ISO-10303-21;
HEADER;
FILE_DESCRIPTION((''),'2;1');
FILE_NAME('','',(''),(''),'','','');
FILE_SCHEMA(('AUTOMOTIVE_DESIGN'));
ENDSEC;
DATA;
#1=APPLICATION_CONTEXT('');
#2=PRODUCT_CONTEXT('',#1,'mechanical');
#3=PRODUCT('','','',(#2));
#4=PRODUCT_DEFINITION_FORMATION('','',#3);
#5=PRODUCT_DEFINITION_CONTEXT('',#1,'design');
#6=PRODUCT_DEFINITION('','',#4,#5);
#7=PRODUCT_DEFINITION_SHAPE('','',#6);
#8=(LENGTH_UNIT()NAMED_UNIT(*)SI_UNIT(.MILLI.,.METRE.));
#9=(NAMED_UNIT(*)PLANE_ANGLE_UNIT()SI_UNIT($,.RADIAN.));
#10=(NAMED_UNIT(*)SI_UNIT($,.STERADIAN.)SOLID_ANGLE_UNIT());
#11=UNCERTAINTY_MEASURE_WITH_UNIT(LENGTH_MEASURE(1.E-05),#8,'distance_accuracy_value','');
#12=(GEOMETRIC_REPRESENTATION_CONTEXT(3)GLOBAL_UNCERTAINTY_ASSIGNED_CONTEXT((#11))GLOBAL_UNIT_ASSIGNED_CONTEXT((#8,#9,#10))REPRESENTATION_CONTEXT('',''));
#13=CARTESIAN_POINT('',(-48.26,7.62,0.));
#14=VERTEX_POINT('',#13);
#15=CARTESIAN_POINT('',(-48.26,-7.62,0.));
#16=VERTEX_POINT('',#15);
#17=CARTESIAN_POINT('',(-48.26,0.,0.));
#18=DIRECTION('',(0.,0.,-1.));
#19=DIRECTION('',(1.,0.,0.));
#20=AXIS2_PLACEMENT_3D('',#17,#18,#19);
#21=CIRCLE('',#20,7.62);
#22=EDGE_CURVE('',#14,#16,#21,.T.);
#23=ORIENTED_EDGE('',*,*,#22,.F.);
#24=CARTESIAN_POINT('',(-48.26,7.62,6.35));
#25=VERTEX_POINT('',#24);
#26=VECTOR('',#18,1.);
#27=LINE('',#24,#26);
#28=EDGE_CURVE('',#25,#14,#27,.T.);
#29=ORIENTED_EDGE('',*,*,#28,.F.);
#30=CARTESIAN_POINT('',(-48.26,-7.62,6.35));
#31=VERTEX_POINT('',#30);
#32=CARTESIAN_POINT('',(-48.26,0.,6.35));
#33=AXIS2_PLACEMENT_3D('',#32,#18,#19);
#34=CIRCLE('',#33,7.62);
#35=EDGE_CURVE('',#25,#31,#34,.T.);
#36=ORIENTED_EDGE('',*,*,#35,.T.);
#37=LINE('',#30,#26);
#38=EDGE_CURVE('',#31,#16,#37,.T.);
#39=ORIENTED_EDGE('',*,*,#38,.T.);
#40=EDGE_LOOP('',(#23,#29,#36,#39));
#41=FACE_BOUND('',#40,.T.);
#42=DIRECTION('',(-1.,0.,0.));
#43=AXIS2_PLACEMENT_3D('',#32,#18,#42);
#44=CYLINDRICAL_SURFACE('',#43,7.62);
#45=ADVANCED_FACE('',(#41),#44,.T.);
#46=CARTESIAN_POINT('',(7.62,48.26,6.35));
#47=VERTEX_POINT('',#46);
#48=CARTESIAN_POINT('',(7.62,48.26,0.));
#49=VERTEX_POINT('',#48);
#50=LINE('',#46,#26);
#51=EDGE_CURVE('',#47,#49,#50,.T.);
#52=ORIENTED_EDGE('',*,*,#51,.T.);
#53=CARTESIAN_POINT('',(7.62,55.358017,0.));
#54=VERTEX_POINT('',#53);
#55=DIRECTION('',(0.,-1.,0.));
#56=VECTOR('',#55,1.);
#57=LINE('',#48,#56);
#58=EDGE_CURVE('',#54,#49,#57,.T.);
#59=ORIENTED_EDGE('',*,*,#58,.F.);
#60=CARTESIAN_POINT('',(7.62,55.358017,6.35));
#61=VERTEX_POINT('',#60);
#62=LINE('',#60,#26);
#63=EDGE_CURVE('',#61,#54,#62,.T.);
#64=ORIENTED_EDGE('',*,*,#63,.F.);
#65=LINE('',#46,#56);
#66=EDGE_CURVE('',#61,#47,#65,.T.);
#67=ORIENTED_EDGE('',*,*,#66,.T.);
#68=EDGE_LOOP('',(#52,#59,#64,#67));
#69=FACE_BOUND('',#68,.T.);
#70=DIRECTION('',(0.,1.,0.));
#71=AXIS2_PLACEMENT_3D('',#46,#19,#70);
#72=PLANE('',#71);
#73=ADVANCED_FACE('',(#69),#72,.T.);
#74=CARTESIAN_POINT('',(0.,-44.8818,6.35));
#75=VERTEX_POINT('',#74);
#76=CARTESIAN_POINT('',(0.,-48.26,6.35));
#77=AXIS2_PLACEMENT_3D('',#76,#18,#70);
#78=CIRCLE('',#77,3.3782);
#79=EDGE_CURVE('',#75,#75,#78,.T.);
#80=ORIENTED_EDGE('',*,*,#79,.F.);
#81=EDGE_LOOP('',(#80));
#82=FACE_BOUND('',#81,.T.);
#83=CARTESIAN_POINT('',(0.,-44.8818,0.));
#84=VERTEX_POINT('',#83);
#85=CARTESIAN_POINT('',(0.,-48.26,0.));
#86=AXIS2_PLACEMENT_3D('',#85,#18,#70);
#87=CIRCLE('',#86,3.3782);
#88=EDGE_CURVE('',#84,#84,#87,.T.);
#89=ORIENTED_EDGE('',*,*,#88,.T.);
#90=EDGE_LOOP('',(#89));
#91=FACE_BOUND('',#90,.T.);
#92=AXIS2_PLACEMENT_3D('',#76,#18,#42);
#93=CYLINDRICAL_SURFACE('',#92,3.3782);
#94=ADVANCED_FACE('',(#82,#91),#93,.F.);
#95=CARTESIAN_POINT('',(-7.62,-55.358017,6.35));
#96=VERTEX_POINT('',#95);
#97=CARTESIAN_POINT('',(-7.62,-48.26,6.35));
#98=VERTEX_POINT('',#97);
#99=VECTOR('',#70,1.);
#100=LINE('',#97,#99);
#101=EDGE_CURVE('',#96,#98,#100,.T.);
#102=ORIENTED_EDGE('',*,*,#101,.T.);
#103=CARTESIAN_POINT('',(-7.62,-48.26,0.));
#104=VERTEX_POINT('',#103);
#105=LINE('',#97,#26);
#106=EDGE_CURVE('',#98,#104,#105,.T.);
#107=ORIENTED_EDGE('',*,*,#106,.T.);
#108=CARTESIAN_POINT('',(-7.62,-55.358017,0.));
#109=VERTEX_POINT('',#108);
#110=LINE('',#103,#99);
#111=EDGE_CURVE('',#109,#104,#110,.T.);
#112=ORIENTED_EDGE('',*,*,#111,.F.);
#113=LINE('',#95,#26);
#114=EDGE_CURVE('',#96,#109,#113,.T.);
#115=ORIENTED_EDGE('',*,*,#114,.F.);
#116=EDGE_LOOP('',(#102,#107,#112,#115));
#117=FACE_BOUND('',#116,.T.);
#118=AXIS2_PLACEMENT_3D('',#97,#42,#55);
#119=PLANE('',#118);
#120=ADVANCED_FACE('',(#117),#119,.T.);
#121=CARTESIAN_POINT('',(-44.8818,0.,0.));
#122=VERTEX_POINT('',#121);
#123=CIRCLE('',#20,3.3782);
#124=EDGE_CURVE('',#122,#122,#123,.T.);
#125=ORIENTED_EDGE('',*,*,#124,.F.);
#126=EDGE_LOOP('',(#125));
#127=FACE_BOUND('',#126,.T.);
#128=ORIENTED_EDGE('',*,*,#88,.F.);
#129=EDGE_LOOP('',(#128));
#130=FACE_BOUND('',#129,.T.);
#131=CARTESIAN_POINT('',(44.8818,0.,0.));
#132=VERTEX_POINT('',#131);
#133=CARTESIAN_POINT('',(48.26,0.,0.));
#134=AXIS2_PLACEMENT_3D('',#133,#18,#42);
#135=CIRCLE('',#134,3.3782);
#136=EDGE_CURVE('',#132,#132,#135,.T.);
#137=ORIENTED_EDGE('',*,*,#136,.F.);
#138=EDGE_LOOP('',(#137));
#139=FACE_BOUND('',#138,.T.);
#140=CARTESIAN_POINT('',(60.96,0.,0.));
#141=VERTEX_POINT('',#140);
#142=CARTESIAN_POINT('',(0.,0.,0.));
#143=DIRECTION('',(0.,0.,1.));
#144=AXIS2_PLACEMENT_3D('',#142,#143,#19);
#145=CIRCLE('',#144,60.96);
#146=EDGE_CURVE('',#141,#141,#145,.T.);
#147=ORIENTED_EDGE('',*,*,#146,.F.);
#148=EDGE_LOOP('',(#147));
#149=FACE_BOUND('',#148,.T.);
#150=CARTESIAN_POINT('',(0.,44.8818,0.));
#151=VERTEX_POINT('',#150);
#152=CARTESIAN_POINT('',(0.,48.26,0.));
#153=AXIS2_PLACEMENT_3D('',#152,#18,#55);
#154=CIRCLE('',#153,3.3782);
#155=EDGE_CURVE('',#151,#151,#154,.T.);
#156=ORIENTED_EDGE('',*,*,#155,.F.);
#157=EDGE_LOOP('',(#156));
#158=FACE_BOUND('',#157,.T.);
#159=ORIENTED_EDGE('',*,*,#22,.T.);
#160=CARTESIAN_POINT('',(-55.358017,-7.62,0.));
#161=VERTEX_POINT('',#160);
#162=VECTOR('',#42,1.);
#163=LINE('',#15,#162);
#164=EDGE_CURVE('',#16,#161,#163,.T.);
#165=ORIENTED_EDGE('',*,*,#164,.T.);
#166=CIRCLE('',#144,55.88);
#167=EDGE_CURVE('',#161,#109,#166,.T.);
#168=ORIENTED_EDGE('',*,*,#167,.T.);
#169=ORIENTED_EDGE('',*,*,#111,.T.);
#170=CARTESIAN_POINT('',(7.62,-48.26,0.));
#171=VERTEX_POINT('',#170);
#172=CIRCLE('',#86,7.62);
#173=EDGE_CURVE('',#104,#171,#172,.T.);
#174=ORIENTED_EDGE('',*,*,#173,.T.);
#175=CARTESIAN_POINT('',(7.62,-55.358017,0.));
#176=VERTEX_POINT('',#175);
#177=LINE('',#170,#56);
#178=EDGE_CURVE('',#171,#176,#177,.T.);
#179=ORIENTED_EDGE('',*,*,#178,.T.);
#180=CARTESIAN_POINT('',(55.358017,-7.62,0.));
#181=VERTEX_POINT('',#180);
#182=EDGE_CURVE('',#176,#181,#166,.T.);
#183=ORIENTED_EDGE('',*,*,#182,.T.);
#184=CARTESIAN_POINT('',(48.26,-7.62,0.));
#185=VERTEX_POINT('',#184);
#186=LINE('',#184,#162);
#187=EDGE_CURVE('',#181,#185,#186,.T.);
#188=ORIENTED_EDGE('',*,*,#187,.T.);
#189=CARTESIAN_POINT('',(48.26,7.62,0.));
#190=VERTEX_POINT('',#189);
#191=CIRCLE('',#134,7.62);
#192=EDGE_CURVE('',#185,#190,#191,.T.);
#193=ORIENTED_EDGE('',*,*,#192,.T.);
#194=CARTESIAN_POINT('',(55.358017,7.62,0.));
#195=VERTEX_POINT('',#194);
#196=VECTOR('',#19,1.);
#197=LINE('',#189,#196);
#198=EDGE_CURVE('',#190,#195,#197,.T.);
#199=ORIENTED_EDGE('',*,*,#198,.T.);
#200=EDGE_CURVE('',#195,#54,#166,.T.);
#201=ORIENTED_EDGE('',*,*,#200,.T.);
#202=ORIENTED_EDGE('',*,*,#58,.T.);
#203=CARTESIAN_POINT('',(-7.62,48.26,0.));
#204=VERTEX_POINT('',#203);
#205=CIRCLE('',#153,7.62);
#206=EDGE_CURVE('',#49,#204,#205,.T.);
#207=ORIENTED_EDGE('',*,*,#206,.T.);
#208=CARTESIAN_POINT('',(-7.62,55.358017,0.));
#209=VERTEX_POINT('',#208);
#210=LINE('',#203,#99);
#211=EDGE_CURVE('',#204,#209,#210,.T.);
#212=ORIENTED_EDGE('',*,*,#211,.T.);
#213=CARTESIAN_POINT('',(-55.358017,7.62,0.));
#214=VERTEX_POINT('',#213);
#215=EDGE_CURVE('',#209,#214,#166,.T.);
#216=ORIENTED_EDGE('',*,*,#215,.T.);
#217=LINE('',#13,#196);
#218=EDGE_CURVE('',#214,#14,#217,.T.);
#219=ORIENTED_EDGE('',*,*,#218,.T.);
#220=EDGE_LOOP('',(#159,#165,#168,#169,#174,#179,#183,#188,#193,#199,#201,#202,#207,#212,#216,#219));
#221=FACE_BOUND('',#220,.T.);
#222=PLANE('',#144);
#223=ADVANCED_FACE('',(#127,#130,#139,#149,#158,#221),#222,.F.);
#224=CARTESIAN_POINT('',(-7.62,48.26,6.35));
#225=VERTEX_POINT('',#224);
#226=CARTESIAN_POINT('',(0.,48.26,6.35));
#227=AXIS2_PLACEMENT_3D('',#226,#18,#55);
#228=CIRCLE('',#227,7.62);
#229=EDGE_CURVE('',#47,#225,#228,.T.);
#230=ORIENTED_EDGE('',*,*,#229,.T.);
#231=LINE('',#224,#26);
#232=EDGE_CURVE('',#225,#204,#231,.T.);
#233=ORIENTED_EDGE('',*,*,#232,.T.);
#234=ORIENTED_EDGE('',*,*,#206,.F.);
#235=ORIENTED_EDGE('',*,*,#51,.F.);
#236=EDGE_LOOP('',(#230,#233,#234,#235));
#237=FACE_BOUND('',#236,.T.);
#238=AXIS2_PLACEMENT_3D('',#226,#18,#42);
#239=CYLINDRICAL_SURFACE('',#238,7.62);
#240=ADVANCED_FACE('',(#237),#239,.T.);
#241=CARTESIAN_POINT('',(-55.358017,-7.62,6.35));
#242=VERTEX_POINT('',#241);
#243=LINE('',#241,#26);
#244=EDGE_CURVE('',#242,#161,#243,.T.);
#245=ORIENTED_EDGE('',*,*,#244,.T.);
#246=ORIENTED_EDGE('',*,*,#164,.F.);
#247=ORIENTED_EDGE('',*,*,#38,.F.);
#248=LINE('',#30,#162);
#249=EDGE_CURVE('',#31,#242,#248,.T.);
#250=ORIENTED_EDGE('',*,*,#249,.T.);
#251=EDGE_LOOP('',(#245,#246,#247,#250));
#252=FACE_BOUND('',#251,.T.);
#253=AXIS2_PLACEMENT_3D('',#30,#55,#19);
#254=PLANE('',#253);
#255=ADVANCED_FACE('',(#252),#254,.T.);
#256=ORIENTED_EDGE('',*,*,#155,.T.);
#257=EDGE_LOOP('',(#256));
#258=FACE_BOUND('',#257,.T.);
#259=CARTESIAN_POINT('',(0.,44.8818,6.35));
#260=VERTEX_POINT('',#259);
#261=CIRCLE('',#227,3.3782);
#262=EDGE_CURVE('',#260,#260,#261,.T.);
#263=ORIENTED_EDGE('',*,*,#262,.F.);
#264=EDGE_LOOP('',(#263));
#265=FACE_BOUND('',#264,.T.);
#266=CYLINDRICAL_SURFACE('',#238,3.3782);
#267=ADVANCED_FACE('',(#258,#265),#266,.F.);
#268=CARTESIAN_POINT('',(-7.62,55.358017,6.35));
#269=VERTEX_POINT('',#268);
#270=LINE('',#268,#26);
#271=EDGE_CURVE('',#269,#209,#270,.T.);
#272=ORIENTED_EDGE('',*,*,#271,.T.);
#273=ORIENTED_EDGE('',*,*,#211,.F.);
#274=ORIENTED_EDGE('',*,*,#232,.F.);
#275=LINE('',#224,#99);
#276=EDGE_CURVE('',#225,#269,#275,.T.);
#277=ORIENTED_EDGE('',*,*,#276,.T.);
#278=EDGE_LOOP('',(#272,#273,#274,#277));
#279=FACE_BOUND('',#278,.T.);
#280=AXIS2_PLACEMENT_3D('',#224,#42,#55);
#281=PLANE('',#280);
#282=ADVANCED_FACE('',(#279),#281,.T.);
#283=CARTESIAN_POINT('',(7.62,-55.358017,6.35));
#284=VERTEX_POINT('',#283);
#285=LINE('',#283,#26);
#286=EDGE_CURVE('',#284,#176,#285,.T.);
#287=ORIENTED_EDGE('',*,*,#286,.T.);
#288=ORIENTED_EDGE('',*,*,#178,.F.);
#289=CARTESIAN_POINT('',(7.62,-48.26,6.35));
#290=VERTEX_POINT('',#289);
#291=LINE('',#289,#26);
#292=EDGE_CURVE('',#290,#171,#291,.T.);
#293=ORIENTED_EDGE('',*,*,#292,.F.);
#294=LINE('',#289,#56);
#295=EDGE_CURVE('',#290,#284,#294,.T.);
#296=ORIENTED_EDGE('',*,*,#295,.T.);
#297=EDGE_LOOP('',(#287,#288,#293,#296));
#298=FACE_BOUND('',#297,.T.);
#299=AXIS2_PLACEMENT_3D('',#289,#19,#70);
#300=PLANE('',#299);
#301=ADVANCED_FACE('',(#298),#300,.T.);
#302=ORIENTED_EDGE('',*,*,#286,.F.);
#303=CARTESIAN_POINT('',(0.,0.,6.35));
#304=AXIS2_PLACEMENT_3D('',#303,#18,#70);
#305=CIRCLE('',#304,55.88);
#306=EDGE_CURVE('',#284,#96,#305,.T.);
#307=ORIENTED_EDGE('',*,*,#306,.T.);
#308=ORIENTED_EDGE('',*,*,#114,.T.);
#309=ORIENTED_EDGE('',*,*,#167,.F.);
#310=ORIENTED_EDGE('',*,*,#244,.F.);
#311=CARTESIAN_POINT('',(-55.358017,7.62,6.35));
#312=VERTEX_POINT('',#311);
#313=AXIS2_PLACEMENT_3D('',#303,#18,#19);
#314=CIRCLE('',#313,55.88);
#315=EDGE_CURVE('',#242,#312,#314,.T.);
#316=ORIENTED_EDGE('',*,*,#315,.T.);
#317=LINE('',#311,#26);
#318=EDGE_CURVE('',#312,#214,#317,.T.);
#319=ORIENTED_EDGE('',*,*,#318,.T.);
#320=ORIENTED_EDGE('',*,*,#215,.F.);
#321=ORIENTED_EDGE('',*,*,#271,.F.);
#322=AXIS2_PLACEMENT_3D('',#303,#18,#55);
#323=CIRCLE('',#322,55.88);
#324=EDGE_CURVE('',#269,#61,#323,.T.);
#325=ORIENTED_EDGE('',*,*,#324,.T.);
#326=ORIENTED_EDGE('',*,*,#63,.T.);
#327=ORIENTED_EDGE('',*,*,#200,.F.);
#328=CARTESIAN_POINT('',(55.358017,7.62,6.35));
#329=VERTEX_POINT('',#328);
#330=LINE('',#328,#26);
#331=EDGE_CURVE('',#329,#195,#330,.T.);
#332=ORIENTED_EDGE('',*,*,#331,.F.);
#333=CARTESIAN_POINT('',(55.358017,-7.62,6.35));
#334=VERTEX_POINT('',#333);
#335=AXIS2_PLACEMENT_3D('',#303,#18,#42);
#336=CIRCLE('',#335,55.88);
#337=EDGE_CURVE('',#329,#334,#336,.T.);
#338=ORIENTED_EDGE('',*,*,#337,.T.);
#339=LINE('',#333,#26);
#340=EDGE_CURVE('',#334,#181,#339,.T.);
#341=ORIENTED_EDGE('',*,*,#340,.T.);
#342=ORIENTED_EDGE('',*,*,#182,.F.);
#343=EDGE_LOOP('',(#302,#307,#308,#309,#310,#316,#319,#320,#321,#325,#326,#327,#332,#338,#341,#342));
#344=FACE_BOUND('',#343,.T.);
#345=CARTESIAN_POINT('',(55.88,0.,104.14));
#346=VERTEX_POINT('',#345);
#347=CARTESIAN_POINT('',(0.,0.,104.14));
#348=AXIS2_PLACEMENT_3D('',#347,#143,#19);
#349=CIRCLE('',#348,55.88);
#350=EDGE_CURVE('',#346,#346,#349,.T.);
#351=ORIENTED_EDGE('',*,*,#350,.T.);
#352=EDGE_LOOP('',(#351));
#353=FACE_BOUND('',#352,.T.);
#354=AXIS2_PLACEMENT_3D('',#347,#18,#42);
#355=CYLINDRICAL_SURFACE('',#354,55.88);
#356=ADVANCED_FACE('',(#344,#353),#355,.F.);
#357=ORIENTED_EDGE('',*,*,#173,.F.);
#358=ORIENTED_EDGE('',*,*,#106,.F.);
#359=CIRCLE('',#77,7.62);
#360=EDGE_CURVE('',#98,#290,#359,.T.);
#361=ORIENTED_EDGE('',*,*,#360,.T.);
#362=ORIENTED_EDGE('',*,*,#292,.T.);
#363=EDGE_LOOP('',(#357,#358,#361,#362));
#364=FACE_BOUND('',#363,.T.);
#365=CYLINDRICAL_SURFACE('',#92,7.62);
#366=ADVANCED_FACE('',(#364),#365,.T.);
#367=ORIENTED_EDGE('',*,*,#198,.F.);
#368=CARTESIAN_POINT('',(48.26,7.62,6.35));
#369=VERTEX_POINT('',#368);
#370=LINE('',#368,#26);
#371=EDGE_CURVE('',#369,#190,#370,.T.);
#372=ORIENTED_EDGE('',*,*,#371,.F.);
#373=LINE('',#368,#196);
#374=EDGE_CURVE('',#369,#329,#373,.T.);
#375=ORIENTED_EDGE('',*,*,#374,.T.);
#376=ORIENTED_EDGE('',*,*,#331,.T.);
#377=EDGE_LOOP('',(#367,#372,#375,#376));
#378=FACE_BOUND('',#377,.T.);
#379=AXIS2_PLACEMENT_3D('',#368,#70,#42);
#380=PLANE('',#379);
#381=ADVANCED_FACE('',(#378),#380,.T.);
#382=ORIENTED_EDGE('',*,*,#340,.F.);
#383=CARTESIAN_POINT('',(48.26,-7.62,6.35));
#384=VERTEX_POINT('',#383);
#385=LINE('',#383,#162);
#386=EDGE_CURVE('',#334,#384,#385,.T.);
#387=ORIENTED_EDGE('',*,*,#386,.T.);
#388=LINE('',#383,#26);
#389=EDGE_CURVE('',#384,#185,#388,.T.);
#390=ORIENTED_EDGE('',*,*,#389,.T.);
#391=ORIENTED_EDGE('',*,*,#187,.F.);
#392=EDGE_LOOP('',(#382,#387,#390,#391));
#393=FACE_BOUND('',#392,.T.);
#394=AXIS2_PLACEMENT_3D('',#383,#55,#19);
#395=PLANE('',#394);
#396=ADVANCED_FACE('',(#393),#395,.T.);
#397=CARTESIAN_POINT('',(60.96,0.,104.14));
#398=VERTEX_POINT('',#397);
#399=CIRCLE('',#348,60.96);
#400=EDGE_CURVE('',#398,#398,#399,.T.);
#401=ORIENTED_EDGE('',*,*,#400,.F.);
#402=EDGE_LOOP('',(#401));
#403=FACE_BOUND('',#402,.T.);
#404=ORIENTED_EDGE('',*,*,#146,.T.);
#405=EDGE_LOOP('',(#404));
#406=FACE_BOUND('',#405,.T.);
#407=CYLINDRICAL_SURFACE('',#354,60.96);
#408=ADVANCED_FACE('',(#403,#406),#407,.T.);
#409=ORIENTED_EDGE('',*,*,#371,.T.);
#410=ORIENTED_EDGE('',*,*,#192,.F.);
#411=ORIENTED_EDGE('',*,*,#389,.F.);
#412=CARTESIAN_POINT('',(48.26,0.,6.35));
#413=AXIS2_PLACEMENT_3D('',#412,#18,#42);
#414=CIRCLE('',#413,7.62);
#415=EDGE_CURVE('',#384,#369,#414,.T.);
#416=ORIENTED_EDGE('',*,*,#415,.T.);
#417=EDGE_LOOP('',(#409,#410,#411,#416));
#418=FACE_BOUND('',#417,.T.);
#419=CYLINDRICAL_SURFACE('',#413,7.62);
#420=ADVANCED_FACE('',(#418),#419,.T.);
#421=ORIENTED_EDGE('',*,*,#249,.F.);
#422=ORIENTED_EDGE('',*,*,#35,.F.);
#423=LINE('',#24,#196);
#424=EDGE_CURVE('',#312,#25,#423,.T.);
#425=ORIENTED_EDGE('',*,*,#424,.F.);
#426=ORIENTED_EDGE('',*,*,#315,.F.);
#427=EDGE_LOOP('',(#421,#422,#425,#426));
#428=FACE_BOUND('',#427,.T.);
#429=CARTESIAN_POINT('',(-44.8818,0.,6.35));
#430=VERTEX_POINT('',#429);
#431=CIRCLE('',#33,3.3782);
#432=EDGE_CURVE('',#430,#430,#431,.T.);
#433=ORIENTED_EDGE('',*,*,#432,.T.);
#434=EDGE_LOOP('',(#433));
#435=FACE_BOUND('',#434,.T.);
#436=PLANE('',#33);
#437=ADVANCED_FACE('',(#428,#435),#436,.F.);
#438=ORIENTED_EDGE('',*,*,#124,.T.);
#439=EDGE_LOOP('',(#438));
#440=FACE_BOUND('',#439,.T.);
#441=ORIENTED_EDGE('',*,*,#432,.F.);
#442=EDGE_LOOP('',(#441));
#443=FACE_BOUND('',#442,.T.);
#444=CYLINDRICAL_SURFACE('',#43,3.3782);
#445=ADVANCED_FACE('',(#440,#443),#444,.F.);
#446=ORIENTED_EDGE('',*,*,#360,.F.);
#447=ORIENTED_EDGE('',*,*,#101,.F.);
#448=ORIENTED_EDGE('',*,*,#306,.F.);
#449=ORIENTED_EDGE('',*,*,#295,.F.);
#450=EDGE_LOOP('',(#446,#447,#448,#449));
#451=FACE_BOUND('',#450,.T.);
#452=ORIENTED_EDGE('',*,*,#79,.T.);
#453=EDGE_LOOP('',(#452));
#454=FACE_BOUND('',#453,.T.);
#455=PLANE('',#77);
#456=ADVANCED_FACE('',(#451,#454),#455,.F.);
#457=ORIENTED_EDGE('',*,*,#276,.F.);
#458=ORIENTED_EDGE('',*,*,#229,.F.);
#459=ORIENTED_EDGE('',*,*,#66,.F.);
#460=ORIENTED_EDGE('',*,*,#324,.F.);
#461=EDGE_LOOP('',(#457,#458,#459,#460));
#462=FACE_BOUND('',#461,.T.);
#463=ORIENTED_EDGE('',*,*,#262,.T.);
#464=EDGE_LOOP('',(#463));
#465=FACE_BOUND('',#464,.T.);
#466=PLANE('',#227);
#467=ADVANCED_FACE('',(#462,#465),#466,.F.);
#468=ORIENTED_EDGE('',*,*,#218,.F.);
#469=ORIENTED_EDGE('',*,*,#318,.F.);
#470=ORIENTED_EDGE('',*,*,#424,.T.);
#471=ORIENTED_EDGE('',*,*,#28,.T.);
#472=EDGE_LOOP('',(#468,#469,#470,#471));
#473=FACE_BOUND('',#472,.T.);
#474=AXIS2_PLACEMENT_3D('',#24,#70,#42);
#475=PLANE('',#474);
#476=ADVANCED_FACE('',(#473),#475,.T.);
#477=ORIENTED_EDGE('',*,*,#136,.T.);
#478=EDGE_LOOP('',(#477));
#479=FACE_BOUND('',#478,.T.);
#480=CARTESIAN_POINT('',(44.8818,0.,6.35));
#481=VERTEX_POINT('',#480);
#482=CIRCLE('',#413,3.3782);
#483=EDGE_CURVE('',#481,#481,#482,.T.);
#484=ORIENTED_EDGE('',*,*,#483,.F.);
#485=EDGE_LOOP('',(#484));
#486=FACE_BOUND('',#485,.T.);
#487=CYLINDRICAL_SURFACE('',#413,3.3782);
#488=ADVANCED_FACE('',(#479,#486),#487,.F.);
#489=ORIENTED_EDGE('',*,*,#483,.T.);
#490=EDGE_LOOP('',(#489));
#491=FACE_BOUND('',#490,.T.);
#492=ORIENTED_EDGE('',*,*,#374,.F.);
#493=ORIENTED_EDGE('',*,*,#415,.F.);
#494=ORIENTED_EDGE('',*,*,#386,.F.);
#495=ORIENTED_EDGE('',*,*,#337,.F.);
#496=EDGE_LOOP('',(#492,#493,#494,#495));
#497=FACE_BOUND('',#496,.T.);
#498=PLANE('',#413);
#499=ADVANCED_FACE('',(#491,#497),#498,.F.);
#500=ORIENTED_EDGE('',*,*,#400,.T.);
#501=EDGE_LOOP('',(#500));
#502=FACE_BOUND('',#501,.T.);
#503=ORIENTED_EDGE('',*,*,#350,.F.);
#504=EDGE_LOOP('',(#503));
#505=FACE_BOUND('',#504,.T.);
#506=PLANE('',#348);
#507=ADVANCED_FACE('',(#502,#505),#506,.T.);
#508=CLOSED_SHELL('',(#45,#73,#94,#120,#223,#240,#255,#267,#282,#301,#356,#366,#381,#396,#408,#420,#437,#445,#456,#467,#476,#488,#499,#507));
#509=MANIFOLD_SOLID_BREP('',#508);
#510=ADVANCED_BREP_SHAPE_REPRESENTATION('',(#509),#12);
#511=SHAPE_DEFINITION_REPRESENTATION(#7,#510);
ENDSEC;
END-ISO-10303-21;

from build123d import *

# Parameters (mm, degrees)
SKETCH1_R           = 60.96
SKETCH1_R_2         = 55.88
BOSS_EXTRUDE1_DEPTH = 104.14
SKETCH2_R           = 3.3782
BOSS_EXTRUDE2_DEPTH = 6.35
CIRPATTERN1_COUNT   = 4


with BuildPart() as part:
    # Sketch1 → Boss-Extrude1 (new body)
    with BuildSketch(Plane.XY):
        Circle(SKETCH1_R)
        Circle(SKETCH1_R_2, mode=Mode.SUBTRACT)
    extrude(amount=BOSS_EXTRUDE1_DEPTH)

    # Sketch2 → Boss-Extrude2 (add)
    with BuildSketch(Plane(origin=(0, 0, 0), x_dir=(-1, 0, 0), z_dir=(0, 0, -1))):
        with BuildLine():
            Line((-48.26, 7.62), (-55.358016583, 7.62))
            ThreePointArc((-55.358016583, 7.62), (-55.88, 0), (-55.358016583, -7.62))
            Line((-55.358016583, -7.62), (-48.26, -7.62))
            ThreePointArc((-48.26, -7.62), (-40.64, 0), (-48.26, 7.62))
        make_face()
        with Locations((-48.26, 0)):
            Circle(SKETCH2_R, mode=Mode.SUBTRACT)
    boss_extrude2 = extrude(amount=-BOSS_EXTRUDE2_DEPTH)

    # CirPattern1: Boss-Extrude2 ×4 about axis
    cirpattern1_axis = Axis((0, 0, 0), (0, 0, 1))
    for i in range(1, CIRPATTERN1_COUNT):
        add(boss_extrude2.rotate(cirpattern1_axis, i * 360 / CIRPATTERN1_COUNT))


solid = part.part
